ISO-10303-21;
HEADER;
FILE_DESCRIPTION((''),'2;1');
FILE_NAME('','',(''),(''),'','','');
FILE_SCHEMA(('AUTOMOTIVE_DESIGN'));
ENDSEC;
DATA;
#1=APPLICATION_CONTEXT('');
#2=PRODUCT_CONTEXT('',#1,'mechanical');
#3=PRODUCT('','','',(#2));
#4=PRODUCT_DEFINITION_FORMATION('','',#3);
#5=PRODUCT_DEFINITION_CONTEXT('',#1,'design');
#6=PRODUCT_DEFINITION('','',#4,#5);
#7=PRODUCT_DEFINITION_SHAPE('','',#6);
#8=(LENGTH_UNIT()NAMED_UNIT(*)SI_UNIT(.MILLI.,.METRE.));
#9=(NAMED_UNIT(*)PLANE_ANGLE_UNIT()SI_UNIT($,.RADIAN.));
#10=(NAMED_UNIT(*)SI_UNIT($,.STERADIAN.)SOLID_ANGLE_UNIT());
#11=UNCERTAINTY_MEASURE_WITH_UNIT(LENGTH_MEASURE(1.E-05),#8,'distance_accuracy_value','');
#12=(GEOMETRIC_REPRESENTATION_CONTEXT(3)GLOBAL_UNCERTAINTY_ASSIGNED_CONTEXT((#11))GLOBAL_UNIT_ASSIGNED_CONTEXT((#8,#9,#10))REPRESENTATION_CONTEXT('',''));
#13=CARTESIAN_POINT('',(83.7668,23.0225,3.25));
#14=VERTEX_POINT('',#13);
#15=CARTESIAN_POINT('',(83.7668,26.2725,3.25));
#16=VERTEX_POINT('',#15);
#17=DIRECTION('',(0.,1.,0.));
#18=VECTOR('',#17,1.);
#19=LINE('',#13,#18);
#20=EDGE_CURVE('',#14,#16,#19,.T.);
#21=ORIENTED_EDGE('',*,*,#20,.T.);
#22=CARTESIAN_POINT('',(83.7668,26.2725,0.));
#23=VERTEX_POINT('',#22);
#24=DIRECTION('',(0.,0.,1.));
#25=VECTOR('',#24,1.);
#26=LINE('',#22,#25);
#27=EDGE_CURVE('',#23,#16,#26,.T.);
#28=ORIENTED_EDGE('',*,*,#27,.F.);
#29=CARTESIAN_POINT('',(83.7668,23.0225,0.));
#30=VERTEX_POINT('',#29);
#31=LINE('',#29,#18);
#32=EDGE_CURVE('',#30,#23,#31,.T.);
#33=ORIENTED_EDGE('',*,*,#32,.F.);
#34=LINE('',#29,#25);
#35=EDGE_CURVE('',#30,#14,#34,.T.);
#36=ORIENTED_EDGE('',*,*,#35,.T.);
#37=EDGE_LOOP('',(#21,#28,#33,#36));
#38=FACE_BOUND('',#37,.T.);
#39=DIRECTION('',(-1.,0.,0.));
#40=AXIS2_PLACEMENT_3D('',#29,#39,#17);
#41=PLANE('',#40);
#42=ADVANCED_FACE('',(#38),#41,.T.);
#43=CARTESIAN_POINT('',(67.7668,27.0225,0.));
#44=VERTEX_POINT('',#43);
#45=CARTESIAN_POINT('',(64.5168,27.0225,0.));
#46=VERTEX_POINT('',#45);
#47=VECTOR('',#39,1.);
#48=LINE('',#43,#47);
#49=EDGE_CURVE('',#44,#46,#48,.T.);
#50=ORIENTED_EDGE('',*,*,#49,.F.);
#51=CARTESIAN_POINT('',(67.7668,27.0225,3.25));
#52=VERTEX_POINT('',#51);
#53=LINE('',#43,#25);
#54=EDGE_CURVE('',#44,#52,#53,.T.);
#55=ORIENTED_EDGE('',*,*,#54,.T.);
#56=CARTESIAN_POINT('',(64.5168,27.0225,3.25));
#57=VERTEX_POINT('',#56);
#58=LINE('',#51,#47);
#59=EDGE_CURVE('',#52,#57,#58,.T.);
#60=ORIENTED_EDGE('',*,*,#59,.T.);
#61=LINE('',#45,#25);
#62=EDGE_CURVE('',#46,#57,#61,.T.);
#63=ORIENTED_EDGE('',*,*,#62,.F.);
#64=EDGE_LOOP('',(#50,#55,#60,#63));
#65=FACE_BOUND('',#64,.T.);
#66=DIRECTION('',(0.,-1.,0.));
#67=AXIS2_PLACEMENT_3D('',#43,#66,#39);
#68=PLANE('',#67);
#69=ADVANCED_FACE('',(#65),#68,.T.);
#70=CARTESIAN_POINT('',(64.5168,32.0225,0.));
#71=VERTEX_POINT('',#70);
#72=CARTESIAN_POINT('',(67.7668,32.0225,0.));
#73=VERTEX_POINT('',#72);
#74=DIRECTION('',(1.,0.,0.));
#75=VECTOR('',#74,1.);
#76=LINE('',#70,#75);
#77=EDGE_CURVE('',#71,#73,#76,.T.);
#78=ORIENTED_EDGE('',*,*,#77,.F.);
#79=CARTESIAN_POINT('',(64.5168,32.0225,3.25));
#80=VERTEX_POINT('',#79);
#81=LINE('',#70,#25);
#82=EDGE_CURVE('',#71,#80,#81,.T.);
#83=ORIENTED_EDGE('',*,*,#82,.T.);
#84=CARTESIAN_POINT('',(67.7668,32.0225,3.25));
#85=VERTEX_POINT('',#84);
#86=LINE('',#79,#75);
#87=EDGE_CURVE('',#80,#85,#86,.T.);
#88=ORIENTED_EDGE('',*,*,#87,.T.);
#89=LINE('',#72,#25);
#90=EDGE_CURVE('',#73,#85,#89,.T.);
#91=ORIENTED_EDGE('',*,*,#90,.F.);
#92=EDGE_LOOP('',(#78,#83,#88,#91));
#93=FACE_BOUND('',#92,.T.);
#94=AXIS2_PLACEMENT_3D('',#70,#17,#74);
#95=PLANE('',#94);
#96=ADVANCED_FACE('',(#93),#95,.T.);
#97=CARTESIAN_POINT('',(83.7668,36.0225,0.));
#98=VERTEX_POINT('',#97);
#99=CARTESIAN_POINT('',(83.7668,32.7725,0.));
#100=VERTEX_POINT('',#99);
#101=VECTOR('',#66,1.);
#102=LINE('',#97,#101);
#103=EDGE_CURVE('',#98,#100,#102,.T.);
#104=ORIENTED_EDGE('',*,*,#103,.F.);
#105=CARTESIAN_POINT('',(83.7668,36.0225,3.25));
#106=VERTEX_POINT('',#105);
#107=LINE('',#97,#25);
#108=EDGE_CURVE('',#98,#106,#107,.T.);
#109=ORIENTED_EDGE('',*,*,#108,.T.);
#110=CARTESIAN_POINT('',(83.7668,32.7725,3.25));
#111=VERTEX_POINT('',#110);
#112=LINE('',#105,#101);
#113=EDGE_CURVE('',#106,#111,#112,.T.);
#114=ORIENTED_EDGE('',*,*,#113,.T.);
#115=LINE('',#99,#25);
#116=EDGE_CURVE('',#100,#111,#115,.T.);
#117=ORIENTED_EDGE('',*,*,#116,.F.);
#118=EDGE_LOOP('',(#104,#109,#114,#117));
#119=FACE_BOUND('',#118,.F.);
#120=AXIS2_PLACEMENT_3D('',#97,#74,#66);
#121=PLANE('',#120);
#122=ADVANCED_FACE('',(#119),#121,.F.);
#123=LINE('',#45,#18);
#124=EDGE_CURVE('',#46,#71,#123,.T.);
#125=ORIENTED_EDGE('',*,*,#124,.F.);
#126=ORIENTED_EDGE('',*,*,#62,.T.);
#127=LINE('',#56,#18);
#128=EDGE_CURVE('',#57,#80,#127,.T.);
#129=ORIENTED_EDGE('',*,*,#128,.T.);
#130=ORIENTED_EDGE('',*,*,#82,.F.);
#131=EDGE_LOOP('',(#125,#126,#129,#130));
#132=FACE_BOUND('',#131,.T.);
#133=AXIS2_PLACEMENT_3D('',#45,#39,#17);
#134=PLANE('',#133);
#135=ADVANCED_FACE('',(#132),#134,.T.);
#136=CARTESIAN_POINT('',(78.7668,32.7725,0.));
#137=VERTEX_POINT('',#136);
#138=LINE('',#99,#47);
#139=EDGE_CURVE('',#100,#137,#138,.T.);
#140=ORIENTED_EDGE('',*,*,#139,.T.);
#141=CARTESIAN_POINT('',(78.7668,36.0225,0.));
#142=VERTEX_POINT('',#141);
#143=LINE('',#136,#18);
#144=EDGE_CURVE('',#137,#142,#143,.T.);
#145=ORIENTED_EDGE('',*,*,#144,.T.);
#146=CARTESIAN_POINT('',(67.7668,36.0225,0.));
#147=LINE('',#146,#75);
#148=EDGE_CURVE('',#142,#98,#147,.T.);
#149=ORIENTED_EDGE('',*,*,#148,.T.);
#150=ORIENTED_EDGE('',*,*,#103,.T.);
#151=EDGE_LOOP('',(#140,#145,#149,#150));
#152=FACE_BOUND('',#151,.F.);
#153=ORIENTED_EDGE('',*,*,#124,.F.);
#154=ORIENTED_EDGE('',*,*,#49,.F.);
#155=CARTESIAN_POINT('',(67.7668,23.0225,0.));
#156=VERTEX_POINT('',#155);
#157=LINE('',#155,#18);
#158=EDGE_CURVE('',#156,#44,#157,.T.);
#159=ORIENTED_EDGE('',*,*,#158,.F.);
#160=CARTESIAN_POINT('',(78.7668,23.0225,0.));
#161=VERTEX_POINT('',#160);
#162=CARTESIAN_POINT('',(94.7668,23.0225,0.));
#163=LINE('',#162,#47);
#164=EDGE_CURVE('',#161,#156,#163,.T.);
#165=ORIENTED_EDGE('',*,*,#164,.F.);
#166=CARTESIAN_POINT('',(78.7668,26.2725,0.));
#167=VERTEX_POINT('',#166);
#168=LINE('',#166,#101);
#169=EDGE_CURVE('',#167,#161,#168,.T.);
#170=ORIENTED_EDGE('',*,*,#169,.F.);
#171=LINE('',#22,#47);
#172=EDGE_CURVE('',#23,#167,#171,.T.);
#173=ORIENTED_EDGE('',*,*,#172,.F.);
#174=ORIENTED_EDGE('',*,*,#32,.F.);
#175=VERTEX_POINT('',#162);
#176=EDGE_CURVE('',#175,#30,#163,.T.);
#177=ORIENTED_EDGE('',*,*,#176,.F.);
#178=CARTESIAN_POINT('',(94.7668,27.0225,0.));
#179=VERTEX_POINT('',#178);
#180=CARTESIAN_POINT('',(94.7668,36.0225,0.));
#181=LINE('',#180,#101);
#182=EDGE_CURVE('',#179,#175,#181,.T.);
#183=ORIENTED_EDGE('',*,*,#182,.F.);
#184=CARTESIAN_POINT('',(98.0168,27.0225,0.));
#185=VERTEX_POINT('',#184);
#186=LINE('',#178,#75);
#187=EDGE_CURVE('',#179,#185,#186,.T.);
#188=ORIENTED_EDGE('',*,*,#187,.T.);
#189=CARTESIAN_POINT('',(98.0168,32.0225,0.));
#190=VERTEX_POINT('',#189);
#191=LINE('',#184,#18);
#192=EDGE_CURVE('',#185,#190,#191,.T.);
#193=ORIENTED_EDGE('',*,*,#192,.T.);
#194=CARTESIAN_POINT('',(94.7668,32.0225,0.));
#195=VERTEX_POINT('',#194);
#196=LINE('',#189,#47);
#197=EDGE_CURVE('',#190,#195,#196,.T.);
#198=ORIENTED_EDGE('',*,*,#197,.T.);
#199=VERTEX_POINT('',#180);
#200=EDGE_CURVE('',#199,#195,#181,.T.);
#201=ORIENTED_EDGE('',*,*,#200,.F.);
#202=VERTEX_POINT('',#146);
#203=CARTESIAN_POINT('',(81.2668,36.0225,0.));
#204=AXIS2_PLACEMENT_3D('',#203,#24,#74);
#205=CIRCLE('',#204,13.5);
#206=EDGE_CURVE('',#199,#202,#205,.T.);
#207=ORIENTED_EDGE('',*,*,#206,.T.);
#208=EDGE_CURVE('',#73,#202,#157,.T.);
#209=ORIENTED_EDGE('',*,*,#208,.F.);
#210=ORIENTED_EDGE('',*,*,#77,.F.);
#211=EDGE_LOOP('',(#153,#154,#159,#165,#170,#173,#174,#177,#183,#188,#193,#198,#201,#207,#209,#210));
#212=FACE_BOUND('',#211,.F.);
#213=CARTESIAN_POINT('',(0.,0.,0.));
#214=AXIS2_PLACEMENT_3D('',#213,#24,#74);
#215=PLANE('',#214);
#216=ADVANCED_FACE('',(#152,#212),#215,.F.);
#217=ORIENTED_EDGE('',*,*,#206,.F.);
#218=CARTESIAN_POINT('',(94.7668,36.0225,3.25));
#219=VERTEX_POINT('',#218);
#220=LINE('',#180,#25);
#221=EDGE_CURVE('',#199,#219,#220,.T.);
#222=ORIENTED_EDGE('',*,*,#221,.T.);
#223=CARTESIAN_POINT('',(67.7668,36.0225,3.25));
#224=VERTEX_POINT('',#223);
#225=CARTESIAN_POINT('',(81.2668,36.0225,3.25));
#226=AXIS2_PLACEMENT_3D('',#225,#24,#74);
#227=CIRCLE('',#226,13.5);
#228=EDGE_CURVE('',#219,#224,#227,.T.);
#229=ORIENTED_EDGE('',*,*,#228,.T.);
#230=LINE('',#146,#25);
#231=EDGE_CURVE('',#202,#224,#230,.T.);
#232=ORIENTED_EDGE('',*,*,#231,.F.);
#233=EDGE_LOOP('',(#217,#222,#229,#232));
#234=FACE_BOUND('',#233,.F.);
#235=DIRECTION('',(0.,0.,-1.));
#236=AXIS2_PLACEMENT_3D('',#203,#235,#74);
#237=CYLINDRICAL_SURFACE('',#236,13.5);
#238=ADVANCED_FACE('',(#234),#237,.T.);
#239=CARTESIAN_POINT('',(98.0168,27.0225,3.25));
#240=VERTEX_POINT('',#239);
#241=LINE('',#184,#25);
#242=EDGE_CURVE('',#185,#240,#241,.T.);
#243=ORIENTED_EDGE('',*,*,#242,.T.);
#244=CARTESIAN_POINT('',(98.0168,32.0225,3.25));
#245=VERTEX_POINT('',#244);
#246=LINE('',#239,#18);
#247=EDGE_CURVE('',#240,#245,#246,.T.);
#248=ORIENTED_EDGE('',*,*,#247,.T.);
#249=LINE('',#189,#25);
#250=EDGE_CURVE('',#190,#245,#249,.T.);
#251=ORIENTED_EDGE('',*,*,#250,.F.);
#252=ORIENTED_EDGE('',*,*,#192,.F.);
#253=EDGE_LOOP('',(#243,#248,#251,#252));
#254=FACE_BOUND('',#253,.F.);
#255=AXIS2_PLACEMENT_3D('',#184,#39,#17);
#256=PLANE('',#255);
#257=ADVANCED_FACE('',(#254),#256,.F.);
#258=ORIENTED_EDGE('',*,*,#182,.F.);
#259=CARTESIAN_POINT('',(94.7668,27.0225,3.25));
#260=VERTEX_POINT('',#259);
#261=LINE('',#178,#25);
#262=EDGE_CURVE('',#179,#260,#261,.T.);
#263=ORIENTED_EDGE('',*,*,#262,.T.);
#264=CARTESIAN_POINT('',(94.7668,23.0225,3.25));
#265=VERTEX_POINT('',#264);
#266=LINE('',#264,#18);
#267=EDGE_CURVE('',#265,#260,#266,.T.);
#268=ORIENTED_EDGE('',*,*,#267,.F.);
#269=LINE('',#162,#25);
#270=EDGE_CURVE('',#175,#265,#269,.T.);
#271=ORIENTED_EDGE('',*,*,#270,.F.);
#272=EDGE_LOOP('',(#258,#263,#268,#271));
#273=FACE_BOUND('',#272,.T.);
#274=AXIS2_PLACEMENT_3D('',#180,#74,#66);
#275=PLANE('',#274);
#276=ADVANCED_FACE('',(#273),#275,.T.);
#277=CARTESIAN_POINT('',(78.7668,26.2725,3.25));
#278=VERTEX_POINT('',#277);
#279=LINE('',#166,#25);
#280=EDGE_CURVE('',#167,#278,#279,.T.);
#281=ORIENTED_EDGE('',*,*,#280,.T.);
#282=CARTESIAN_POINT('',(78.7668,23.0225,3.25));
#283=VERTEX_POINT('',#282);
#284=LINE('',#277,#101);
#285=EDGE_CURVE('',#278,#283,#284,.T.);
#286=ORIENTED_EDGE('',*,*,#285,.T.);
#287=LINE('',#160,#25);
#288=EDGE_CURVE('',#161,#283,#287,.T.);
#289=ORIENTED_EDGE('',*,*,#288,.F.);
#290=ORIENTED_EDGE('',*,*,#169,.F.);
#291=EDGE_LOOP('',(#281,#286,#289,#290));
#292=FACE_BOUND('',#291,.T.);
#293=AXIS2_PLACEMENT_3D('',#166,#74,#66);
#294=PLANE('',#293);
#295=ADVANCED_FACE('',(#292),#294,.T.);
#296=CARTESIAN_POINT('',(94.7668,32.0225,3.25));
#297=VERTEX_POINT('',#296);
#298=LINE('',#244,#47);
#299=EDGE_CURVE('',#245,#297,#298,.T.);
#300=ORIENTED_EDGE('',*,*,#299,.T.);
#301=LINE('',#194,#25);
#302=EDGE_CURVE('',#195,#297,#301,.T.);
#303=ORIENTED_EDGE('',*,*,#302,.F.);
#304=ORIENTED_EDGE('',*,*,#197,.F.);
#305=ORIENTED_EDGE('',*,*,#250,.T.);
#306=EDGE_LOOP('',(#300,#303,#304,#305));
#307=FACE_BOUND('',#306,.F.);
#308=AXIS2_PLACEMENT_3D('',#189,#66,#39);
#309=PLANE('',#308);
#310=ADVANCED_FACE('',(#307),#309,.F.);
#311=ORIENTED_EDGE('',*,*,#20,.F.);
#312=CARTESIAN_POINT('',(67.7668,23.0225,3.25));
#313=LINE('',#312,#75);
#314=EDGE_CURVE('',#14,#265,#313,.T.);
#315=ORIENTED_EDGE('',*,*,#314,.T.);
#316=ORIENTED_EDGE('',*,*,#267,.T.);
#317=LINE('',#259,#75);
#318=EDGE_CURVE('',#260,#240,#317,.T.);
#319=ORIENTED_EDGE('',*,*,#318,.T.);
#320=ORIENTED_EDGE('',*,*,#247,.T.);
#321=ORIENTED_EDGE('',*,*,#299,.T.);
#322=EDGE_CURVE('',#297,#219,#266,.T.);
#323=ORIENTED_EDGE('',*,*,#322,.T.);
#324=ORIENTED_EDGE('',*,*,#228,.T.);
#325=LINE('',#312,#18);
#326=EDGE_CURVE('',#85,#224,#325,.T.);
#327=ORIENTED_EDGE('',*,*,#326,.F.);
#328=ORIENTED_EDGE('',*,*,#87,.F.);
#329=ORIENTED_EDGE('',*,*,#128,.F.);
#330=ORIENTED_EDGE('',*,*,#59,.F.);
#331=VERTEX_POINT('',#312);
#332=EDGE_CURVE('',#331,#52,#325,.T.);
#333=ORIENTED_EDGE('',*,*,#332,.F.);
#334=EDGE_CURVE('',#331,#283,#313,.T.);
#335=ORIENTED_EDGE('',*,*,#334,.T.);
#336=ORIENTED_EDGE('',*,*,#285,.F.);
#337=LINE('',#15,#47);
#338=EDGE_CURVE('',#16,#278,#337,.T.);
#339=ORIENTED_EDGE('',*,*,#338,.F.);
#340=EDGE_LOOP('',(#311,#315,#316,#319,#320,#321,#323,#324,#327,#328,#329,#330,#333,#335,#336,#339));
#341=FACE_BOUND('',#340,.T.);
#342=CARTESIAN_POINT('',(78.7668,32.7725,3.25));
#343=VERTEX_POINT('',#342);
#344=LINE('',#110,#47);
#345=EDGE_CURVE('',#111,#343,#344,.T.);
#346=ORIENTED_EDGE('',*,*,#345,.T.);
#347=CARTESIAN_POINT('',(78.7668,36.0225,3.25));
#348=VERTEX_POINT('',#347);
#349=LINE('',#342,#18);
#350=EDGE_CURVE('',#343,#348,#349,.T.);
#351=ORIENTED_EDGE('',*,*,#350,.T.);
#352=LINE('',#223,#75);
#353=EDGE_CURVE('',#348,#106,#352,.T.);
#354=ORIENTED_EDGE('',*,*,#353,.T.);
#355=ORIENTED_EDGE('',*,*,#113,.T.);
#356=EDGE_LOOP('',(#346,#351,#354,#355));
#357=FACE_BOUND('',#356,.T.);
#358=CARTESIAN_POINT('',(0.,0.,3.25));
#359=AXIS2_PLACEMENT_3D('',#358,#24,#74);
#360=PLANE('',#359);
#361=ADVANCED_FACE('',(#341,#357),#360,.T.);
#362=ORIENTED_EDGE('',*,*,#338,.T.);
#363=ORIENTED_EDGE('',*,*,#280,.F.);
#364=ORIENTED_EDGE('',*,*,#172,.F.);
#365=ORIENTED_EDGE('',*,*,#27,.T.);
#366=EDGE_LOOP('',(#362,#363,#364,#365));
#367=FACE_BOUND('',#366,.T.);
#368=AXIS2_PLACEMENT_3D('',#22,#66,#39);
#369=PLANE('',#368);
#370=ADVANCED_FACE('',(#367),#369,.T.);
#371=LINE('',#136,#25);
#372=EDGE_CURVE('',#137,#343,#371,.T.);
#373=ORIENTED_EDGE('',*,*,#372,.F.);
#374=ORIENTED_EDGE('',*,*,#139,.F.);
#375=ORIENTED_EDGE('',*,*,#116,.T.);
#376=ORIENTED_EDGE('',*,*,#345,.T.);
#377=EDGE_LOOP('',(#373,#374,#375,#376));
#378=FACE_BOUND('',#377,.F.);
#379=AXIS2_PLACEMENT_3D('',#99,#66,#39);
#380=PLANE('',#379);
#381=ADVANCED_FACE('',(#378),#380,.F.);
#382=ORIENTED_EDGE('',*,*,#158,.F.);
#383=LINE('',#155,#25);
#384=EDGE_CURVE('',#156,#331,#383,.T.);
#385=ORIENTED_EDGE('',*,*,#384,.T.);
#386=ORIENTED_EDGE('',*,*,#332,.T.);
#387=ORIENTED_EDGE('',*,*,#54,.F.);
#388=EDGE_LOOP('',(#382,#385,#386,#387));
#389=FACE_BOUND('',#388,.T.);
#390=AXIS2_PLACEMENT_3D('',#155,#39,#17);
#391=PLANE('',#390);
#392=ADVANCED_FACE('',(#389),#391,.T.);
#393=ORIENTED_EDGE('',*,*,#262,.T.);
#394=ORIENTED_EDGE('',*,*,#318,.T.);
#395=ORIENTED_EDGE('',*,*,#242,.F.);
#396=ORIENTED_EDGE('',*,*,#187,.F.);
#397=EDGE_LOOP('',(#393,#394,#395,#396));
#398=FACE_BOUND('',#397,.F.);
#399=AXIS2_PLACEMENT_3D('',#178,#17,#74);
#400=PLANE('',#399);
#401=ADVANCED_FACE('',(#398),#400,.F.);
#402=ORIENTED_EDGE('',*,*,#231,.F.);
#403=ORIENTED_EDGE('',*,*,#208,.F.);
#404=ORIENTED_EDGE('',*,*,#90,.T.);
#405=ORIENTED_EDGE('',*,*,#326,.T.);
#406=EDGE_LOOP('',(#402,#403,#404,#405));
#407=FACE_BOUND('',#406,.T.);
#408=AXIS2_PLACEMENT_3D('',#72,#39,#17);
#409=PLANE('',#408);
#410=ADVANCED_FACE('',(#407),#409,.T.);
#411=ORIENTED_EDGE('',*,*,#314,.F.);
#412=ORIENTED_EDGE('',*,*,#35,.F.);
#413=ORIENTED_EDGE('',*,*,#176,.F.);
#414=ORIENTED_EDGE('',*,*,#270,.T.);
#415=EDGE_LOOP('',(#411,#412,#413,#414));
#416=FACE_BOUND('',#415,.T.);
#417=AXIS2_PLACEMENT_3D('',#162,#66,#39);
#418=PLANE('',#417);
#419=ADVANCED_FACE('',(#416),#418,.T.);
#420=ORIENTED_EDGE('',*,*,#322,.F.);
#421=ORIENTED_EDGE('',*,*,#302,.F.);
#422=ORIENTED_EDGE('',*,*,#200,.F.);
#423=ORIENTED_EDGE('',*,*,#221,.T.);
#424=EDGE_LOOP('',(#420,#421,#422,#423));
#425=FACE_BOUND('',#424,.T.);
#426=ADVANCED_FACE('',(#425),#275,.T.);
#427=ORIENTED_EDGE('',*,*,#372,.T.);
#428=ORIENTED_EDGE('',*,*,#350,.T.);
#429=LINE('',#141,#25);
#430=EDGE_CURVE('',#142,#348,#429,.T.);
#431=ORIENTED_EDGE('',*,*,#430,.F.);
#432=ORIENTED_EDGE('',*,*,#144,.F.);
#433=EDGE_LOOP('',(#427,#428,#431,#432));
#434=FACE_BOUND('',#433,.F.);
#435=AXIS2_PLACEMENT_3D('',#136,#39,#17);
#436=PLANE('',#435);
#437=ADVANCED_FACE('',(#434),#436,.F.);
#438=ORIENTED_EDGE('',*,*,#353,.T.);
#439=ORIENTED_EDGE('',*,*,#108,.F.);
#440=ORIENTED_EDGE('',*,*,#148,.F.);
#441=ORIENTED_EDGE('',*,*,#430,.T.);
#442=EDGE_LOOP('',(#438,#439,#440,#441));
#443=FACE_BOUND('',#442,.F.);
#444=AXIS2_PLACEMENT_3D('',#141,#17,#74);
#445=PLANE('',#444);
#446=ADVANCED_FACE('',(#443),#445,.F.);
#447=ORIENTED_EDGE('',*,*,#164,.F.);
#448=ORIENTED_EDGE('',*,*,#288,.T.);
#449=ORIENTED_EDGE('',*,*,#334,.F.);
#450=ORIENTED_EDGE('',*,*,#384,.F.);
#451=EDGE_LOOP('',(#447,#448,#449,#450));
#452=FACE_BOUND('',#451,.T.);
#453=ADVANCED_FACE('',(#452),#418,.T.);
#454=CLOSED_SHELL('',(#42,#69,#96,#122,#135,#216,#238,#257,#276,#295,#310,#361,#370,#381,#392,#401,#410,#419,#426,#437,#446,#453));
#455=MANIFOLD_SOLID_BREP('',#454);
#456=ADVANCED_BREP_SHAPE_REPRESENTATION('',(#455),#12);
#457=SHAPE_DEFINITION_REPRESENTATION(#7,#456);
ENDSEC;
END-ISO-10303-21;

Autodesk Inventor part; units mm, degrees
ref_plane "YZ Plane" through (0, 0, 0) normal (1, 0, 0) x (0, 1, 0)
ref_plane "XZ Plane" through (0, 0, 0) normal (0, 1, 0) x (-1, 0, 0)
ref_plane "XY Plane" through (0, 0, 0) normal (0, 0, 1) x (1, 0, 0)
sketch "Block1" plane through (0, 0, 0) normal (0, 0, 1) x (1, 0, 0)
  circle A0 centre (74.029, 24.2723) radius 1
  line L0 (49.279, 30.4723) -> (71.779, 30.4723)
  line L1 (71.779, 30.4723) -> (71.779, 18.0723)
  line L2 (71.779, 18.0723) -> (49.279, 18.0723)
  line L3 (49.279, 18.0723) -> (49.279, 30.4723)
  line L4 (49.279, 30.4723) -> (44.779, 30.4723)
  line L5 (44.779, 30.4723) -> (44.779, 18.0723)
  line L6 (44.779, 18.0723) -> (49.279, 18.0723)
  line L7 (49.279, 18.0723) -> (49.279, 30.4723)
  line L8 (71.779, 30.4723) -> (76.279, 30.4723)
  line L9 (76.279, 30.4723) -> (76.279, 18.0723)
  line L10 (76.279, 18.0723) -> (71.779, 18.0723)
  line L11 (71.779, 18.0723) -> (71.779, 30.4723)
  line L12 (44.779, 24.2723) -> (76.279, 24.2723) construction
  line L13 (47.029, 30.4723) -> (47.029, 18.0723) construction
  circle A1 centre (47.029, 24.2723) radius 1
  line L14 (74.029, 30.4723) -> (74.029, 18.0723) construction
  point P0 (60.979, 24.0984)
  dimension "d7" = 22.5
  dimension "d8" = 12.4
  dimension "d9" = 4.5
  dimension "d10" = 4.5
  dimension "d11" = 2
  dimension "d12" = 2
sketch "Sketch1" plane through (0, 0, 0) normal (0, 0, 1) x (1, 0, 0)
  line L0 (-92.7646, -8.503) -> (-89.7646, -8.503)
  line L1 (-89.7646, -8.503) -> (-89.7646, -11.753)
  line L2 (-89.7646, -11.753) -> (-92.7646, -11.753)
  line L3 (-92.7646, -11.753) -> (-92.7646, -8.503)
  line L4 (-92.7646, -21.6527) -> (-89.7646, -21.6527)
  line L5 (-89.7646, -21.6527) -> (-89.7646, -21.7527)
  line L6 (-89.7646, -21.7527) -> (-92.7646, -21.7527)
  line L7 (-92.7646, -21.7527) -> (-92.7646, -21.6527)
  line L8 (67.7668, 36.0225) -> (94.7668, 36.0225)
  line L9 (94.7668, 36.0225) -> (94.7668, 23.0225)
  line L10 (94.7668, 23.0225) -> (67.7668, 23.0225)
  line L11 (67.7668, 23.0225) -> (67.7668, 36.0225)
  line L12 (67.7668, 29.5225) -> (94.7668, 29.5225) construction
  line L13 (64.5168, 32.0225) -> (67.7668, 32.0225)
  line L14 (67.7668, 32.0225) -> (67.7668, 27.0225)
  line L15 (67.7668, 27.0225) -> (64.5168, 27.0225)
  line L16 (64.5168, 27.0225) -> (64.5168, 32.0225)
  line L17 (64.5168, 29.5225) -> (67.7668, 29.5225) construction
  line L18 (81.2668, 36.0225) -> (81.2668, 23.0225) construction
  line L19 (78.7668, 36.0225) -> (83.7668, 36.0225)
  line L20 (83.7668, 36.0225) -> (83.7668, 32.7725)
  line L21 (83.7668, 32.7725) -> (78.7668, 32.7725)
  line L22 (78.7668, 32.7725) -> (78.7668, 36.0225)
  line L23 (81.2668, 36.0225) -> (81.2668, 32.7725) construction
  line L24 (98.0168, 32.0225) -> (94.7668, 32.0225)
  line L25 (94.7668, 32.0225) -> (94.7668, 27.0225)
  line L26 (94.7668, 27.0225) -> (98.0168, 27.0225)
  line L27 (98.0168, 27.0225) -> (98.0168, 32.0225)
  line L28 (98.0168, 29.5225) -> (94.7668, 29.5225) construction
  line L29 (78.7668, 23.0225) -> (83.7668, 23.0225)
  line L30 (83.7668, 23.0225) -> (83.7668, 26.2725)
  line L31 (83.7668, 26.2725) -> (78.7668, 26.2725)
  line L32 (78.7668, 26.2725) -> (78.7668, 23.0225)
  line L33 (81.2668, 23.0225) -> (81.2668, 26.2725) construction
  arc A0 (94.7668, 36.0225) -> (67.7668, 36.0225) centre (81.2668, 36.0225) ccw
  point P0 (0, 0)
  dimension "d0" = 3
  dimension "mat" = 3.25
  dimension "d2" = 3
  dimension "d3" = 0.1
  dimension "d58" = 27
  dimension "d59" = 13
  dimension "d60" = 3.25
  dimension "d61" = 5
  dimension "d68" = 5
  dimension "d69" = 3.25
extrude "Extrusion5" add sketch "Sketch1" along normal blind 3.25 contours L8 L22 L21 L20 L9 L10 L30 L31 L32 L11 | L8 L20 L21 L22 | L11 L15 L16 L13 | L32 L31 L30 L10
extrude "Extrusion7" cut sketch "Sketch1" along normal blind 3.25 contours L8 L20 L21 L22
extrude "Extrusion8" cut sketch "Sketch1" along normal blind 3.25 contours L32 L31 L30 L10
extrude "Extrusion9" add sketch "Sketch1" along normal blind 3.25 contours L24 L27 L26 L9
extrude "Extrusion10" add sketch "Sketch1" along normal blind 3.25 contours A0 L8
equation "\"d60\" = mat"
equation "\"d69\" = mat"
equation "\"d62\" = mat"
equation "\"d70\" = mat"
equation "\"d72\" = mat"
equation "\"d74\" = mat"
equation "\"d76\" = mat"
properties part number "arm-servo"
